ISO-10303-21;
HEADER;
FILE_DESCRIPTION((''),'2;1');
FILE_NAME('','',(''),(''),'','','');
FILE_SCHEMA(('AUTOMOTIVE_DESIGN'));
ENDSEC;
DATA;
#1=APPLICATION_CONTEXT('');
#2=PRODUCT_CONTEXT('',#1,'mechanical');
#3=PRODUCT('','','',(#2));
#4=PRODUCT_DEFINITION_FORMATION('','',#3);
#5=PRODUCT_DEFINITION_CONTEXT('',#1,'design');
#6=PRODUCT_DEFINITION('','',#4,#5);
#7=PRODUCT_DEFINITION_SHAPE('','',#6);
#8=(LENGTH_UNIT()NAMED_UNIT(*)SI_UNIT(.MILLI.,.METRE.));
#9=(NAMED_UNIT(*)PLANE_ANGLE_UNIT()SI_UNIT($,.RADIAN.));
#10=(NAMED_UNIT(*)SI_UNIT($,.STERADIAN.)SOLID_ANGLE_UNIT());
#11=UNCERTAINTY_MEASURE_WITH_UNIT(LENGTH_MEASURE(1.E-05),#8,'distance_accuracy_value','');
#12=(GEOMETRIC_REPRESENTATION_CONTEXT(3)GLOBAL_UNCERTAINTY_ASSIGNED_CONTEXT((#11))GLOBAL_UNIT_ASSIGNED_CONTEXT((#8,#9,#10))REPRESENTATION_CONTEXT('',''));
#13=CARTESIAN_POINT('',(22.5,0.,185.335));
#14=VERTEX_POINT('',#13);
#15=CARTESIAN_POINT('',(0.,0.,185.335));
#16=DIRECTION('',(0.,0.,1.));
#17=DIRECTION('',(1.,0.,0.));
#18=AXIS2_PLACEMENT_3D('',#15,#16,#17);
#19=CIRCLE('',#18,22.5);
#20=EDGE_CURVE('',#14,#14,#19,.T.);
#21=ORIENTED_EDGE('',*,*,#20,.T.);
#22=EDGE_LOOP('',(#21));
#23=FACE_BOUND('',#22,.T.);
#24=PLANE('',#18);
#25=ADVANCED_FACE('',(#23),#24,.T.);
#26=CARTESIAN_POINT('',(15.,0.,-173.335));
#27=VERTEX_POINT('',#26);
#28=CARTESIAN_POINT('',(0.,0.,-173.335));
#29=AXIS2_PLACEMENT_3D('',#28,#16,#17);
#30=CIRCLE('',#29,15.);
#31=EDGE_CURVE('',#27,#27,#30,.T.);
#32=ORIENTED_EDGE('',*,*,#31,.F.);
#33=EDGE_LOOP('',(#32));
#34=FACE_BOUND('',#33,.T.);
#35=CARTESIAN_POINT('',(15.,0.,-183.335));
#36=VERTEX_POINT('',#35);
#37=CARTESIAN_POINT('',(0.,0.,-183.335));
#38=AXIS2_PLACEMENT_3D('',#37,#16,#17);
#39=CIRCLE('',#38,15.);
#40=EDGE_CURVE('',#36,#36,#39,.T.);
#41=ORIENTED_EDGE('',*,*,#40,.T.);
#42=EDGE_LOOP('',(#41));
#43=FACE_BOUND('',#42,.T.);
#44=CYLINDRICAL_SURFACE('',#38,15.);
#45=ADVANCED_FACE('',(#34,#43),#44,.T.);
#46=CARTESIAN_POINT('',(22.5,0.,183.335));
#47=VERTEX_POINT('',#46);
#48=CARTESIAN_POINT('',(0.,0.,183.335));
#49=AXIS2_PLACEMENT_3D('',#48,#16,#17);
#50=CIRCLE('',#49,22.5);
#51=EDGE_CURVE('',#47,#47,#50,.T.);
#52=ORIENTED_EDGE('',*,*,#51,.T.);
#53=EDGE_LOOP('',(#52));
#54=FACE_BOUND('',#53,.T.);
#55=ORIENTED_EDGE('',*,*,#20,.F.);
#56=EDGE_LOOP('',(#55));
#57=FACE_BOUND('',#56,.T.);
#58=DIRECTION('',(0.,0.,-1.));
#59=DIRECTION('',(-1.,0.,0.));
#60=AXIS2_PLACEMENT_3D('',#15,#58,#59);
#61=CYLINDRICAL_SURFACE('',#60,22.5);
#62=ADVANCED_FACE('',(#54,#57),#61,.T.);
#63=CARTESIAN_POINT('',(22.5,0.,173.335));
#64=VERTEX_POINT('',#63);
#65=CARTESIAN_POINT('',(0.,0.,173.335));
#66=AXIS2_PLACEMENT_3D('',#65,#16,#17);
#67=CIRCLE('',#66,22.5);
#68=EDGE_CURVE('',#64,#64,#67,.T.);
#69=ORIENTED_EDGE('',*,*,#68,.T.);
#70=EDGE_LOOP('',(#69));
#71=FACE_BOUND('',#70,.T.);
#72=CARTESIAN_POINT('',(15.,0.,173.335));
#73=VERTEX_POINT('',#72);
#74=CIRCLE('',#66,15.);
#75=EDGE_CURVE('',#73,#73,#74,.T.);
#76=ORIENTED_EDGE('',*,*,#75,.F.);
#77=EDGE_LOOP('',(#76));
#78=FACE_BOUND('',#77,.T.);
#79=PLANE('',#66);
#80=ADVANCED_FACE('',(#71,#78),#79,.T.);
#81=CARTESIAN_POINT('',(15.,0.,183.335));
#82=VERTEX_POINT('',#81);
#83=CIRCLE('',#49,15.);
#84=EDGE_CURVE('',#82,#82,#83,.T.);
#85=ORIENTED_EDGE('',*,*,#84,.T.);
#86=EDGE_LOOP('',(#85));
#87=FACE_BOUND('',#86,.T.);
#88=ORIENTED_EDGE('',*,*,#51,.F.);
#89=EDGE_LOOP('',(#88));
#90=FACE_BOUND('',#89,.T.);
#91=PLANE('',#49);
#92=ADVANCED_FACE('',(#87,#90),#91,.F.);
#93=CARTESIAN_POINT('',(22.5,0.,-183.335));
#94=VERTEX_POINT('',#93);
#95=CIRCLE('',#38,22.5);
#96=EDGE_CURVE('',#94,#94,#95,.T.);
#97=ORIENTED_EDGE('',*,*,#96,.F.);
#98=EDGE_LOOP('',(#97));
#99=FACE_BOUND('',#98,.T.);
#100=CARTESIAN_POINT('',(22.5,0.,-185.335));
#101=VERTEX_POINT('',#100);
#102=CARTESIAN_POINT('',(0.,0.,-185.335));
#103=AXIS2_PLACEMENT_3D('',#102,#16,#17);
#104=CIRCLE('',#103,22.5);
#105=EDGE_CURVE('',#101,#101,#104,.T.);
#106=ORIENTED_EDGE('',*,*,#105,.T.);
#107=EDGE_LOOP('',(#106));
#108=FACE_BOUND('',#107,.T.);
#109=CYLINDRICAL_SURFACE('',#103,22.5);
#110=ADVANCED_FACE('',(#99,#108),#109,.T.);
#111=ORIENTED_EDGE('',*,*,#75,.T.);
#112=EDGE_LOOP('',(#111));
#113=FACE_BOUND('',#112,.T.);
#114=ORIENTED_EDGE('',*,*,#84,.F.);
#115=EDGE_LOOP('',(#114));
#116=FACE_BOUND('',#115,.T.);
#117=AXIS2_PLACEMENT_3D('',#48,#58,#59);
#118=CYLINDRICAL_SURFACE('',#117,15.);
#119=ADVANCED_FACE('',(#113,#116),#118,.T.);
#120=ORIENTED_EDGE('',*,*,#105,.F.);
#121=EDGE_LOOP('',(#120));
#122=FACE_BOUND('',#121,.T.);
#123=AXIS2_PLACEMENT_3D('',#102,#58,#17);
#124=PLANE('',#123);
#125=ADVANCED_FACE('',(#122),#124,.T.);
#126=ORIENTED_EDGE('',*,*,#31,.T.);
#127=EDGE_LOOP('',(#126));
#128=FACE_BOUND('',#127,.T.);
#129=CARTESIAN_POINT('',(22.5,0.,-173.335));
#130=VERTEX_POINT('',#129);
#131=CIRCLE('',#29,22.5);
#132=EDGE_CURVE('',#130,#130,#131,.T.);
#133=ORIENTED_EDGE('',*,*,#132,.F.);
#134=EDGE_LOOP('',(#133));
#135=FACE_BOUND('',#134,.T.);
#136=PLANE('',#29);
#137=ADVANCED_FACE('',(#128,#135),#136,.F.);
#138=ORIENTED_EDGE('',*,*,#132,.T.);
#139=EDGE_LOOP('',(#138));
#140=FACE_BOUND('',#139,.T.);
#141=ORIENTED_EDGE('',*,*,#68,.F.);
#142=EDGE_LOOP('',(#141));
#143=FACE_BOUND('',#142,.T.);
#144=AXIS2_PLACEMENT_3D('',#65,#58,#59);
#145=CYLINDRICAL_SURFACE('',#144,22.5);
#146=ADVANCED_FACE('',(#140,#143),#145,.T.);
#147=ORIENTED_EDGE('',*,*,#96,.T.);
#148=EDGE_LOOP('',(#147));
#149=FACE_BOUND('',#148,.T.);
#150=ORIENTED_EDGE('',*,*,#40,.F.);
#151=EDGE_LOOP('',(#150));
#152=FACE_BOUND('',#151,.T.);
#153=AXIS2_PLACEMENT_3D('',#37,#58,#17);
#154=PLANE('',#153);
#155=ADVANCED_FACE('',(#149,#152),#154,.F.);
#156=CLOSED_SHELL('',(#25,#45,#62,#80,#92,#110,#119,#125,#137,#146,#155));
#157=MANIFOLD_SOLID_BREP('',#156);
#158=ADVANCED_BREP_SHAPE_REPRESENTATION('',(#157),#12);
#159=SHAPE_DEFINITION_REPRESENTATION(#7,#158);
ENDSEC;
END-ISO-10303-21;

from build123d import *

# Parameters (mm, degrees)
SKETCH1_R           = 22.5
BOSS_EXTRUDE1_DEPTH = 173.335
SKETCH2_R           = 15
BOSS_EXTRUDE2_DEPTH = 10
BOSS_EXTRUDE3_START = 2
SKETCH3_R           = 22.5
BOSS_EXTRUDE3_DEPTH = 2


with BuildPart() as part:
    # Sketch1 → Boss-Extrude1 (new, symmetric)
    with BuildSketch(Plane.XY):
        Circle(SKETCH1_R)
    extrude(amount=BOSS_EXTRUDE1_DEPTH, both=True)

    # Sketch2 → Boss-Extrude2 (add)
    with BuildSketch(Plane.XY.offset(173.335)):
        Circle(SKETCH2_R)
    boss_extrude2 = extrude(amount=BOSS_EXTRUDE2_DEPTH)

    # Sketch3 → Boss-Extrude3 (add)
    with BuildSketch(Plane.XY.offset(183.335).offset(BOSS_EXTRUDE3_START)):
        Circle(SKETCH3_R)
    boss_extrude3 = extrude(amount=-BOSS_EXTRUDE3_DEPTH)

    # Mirror1: Boss-Extrude2, Boss-Extrude3 across plane
    add(boss_extrude2.mirror(Plane.XY))
    add(boss_extrude3.mirror(Plane.XY))


solid = part.part
